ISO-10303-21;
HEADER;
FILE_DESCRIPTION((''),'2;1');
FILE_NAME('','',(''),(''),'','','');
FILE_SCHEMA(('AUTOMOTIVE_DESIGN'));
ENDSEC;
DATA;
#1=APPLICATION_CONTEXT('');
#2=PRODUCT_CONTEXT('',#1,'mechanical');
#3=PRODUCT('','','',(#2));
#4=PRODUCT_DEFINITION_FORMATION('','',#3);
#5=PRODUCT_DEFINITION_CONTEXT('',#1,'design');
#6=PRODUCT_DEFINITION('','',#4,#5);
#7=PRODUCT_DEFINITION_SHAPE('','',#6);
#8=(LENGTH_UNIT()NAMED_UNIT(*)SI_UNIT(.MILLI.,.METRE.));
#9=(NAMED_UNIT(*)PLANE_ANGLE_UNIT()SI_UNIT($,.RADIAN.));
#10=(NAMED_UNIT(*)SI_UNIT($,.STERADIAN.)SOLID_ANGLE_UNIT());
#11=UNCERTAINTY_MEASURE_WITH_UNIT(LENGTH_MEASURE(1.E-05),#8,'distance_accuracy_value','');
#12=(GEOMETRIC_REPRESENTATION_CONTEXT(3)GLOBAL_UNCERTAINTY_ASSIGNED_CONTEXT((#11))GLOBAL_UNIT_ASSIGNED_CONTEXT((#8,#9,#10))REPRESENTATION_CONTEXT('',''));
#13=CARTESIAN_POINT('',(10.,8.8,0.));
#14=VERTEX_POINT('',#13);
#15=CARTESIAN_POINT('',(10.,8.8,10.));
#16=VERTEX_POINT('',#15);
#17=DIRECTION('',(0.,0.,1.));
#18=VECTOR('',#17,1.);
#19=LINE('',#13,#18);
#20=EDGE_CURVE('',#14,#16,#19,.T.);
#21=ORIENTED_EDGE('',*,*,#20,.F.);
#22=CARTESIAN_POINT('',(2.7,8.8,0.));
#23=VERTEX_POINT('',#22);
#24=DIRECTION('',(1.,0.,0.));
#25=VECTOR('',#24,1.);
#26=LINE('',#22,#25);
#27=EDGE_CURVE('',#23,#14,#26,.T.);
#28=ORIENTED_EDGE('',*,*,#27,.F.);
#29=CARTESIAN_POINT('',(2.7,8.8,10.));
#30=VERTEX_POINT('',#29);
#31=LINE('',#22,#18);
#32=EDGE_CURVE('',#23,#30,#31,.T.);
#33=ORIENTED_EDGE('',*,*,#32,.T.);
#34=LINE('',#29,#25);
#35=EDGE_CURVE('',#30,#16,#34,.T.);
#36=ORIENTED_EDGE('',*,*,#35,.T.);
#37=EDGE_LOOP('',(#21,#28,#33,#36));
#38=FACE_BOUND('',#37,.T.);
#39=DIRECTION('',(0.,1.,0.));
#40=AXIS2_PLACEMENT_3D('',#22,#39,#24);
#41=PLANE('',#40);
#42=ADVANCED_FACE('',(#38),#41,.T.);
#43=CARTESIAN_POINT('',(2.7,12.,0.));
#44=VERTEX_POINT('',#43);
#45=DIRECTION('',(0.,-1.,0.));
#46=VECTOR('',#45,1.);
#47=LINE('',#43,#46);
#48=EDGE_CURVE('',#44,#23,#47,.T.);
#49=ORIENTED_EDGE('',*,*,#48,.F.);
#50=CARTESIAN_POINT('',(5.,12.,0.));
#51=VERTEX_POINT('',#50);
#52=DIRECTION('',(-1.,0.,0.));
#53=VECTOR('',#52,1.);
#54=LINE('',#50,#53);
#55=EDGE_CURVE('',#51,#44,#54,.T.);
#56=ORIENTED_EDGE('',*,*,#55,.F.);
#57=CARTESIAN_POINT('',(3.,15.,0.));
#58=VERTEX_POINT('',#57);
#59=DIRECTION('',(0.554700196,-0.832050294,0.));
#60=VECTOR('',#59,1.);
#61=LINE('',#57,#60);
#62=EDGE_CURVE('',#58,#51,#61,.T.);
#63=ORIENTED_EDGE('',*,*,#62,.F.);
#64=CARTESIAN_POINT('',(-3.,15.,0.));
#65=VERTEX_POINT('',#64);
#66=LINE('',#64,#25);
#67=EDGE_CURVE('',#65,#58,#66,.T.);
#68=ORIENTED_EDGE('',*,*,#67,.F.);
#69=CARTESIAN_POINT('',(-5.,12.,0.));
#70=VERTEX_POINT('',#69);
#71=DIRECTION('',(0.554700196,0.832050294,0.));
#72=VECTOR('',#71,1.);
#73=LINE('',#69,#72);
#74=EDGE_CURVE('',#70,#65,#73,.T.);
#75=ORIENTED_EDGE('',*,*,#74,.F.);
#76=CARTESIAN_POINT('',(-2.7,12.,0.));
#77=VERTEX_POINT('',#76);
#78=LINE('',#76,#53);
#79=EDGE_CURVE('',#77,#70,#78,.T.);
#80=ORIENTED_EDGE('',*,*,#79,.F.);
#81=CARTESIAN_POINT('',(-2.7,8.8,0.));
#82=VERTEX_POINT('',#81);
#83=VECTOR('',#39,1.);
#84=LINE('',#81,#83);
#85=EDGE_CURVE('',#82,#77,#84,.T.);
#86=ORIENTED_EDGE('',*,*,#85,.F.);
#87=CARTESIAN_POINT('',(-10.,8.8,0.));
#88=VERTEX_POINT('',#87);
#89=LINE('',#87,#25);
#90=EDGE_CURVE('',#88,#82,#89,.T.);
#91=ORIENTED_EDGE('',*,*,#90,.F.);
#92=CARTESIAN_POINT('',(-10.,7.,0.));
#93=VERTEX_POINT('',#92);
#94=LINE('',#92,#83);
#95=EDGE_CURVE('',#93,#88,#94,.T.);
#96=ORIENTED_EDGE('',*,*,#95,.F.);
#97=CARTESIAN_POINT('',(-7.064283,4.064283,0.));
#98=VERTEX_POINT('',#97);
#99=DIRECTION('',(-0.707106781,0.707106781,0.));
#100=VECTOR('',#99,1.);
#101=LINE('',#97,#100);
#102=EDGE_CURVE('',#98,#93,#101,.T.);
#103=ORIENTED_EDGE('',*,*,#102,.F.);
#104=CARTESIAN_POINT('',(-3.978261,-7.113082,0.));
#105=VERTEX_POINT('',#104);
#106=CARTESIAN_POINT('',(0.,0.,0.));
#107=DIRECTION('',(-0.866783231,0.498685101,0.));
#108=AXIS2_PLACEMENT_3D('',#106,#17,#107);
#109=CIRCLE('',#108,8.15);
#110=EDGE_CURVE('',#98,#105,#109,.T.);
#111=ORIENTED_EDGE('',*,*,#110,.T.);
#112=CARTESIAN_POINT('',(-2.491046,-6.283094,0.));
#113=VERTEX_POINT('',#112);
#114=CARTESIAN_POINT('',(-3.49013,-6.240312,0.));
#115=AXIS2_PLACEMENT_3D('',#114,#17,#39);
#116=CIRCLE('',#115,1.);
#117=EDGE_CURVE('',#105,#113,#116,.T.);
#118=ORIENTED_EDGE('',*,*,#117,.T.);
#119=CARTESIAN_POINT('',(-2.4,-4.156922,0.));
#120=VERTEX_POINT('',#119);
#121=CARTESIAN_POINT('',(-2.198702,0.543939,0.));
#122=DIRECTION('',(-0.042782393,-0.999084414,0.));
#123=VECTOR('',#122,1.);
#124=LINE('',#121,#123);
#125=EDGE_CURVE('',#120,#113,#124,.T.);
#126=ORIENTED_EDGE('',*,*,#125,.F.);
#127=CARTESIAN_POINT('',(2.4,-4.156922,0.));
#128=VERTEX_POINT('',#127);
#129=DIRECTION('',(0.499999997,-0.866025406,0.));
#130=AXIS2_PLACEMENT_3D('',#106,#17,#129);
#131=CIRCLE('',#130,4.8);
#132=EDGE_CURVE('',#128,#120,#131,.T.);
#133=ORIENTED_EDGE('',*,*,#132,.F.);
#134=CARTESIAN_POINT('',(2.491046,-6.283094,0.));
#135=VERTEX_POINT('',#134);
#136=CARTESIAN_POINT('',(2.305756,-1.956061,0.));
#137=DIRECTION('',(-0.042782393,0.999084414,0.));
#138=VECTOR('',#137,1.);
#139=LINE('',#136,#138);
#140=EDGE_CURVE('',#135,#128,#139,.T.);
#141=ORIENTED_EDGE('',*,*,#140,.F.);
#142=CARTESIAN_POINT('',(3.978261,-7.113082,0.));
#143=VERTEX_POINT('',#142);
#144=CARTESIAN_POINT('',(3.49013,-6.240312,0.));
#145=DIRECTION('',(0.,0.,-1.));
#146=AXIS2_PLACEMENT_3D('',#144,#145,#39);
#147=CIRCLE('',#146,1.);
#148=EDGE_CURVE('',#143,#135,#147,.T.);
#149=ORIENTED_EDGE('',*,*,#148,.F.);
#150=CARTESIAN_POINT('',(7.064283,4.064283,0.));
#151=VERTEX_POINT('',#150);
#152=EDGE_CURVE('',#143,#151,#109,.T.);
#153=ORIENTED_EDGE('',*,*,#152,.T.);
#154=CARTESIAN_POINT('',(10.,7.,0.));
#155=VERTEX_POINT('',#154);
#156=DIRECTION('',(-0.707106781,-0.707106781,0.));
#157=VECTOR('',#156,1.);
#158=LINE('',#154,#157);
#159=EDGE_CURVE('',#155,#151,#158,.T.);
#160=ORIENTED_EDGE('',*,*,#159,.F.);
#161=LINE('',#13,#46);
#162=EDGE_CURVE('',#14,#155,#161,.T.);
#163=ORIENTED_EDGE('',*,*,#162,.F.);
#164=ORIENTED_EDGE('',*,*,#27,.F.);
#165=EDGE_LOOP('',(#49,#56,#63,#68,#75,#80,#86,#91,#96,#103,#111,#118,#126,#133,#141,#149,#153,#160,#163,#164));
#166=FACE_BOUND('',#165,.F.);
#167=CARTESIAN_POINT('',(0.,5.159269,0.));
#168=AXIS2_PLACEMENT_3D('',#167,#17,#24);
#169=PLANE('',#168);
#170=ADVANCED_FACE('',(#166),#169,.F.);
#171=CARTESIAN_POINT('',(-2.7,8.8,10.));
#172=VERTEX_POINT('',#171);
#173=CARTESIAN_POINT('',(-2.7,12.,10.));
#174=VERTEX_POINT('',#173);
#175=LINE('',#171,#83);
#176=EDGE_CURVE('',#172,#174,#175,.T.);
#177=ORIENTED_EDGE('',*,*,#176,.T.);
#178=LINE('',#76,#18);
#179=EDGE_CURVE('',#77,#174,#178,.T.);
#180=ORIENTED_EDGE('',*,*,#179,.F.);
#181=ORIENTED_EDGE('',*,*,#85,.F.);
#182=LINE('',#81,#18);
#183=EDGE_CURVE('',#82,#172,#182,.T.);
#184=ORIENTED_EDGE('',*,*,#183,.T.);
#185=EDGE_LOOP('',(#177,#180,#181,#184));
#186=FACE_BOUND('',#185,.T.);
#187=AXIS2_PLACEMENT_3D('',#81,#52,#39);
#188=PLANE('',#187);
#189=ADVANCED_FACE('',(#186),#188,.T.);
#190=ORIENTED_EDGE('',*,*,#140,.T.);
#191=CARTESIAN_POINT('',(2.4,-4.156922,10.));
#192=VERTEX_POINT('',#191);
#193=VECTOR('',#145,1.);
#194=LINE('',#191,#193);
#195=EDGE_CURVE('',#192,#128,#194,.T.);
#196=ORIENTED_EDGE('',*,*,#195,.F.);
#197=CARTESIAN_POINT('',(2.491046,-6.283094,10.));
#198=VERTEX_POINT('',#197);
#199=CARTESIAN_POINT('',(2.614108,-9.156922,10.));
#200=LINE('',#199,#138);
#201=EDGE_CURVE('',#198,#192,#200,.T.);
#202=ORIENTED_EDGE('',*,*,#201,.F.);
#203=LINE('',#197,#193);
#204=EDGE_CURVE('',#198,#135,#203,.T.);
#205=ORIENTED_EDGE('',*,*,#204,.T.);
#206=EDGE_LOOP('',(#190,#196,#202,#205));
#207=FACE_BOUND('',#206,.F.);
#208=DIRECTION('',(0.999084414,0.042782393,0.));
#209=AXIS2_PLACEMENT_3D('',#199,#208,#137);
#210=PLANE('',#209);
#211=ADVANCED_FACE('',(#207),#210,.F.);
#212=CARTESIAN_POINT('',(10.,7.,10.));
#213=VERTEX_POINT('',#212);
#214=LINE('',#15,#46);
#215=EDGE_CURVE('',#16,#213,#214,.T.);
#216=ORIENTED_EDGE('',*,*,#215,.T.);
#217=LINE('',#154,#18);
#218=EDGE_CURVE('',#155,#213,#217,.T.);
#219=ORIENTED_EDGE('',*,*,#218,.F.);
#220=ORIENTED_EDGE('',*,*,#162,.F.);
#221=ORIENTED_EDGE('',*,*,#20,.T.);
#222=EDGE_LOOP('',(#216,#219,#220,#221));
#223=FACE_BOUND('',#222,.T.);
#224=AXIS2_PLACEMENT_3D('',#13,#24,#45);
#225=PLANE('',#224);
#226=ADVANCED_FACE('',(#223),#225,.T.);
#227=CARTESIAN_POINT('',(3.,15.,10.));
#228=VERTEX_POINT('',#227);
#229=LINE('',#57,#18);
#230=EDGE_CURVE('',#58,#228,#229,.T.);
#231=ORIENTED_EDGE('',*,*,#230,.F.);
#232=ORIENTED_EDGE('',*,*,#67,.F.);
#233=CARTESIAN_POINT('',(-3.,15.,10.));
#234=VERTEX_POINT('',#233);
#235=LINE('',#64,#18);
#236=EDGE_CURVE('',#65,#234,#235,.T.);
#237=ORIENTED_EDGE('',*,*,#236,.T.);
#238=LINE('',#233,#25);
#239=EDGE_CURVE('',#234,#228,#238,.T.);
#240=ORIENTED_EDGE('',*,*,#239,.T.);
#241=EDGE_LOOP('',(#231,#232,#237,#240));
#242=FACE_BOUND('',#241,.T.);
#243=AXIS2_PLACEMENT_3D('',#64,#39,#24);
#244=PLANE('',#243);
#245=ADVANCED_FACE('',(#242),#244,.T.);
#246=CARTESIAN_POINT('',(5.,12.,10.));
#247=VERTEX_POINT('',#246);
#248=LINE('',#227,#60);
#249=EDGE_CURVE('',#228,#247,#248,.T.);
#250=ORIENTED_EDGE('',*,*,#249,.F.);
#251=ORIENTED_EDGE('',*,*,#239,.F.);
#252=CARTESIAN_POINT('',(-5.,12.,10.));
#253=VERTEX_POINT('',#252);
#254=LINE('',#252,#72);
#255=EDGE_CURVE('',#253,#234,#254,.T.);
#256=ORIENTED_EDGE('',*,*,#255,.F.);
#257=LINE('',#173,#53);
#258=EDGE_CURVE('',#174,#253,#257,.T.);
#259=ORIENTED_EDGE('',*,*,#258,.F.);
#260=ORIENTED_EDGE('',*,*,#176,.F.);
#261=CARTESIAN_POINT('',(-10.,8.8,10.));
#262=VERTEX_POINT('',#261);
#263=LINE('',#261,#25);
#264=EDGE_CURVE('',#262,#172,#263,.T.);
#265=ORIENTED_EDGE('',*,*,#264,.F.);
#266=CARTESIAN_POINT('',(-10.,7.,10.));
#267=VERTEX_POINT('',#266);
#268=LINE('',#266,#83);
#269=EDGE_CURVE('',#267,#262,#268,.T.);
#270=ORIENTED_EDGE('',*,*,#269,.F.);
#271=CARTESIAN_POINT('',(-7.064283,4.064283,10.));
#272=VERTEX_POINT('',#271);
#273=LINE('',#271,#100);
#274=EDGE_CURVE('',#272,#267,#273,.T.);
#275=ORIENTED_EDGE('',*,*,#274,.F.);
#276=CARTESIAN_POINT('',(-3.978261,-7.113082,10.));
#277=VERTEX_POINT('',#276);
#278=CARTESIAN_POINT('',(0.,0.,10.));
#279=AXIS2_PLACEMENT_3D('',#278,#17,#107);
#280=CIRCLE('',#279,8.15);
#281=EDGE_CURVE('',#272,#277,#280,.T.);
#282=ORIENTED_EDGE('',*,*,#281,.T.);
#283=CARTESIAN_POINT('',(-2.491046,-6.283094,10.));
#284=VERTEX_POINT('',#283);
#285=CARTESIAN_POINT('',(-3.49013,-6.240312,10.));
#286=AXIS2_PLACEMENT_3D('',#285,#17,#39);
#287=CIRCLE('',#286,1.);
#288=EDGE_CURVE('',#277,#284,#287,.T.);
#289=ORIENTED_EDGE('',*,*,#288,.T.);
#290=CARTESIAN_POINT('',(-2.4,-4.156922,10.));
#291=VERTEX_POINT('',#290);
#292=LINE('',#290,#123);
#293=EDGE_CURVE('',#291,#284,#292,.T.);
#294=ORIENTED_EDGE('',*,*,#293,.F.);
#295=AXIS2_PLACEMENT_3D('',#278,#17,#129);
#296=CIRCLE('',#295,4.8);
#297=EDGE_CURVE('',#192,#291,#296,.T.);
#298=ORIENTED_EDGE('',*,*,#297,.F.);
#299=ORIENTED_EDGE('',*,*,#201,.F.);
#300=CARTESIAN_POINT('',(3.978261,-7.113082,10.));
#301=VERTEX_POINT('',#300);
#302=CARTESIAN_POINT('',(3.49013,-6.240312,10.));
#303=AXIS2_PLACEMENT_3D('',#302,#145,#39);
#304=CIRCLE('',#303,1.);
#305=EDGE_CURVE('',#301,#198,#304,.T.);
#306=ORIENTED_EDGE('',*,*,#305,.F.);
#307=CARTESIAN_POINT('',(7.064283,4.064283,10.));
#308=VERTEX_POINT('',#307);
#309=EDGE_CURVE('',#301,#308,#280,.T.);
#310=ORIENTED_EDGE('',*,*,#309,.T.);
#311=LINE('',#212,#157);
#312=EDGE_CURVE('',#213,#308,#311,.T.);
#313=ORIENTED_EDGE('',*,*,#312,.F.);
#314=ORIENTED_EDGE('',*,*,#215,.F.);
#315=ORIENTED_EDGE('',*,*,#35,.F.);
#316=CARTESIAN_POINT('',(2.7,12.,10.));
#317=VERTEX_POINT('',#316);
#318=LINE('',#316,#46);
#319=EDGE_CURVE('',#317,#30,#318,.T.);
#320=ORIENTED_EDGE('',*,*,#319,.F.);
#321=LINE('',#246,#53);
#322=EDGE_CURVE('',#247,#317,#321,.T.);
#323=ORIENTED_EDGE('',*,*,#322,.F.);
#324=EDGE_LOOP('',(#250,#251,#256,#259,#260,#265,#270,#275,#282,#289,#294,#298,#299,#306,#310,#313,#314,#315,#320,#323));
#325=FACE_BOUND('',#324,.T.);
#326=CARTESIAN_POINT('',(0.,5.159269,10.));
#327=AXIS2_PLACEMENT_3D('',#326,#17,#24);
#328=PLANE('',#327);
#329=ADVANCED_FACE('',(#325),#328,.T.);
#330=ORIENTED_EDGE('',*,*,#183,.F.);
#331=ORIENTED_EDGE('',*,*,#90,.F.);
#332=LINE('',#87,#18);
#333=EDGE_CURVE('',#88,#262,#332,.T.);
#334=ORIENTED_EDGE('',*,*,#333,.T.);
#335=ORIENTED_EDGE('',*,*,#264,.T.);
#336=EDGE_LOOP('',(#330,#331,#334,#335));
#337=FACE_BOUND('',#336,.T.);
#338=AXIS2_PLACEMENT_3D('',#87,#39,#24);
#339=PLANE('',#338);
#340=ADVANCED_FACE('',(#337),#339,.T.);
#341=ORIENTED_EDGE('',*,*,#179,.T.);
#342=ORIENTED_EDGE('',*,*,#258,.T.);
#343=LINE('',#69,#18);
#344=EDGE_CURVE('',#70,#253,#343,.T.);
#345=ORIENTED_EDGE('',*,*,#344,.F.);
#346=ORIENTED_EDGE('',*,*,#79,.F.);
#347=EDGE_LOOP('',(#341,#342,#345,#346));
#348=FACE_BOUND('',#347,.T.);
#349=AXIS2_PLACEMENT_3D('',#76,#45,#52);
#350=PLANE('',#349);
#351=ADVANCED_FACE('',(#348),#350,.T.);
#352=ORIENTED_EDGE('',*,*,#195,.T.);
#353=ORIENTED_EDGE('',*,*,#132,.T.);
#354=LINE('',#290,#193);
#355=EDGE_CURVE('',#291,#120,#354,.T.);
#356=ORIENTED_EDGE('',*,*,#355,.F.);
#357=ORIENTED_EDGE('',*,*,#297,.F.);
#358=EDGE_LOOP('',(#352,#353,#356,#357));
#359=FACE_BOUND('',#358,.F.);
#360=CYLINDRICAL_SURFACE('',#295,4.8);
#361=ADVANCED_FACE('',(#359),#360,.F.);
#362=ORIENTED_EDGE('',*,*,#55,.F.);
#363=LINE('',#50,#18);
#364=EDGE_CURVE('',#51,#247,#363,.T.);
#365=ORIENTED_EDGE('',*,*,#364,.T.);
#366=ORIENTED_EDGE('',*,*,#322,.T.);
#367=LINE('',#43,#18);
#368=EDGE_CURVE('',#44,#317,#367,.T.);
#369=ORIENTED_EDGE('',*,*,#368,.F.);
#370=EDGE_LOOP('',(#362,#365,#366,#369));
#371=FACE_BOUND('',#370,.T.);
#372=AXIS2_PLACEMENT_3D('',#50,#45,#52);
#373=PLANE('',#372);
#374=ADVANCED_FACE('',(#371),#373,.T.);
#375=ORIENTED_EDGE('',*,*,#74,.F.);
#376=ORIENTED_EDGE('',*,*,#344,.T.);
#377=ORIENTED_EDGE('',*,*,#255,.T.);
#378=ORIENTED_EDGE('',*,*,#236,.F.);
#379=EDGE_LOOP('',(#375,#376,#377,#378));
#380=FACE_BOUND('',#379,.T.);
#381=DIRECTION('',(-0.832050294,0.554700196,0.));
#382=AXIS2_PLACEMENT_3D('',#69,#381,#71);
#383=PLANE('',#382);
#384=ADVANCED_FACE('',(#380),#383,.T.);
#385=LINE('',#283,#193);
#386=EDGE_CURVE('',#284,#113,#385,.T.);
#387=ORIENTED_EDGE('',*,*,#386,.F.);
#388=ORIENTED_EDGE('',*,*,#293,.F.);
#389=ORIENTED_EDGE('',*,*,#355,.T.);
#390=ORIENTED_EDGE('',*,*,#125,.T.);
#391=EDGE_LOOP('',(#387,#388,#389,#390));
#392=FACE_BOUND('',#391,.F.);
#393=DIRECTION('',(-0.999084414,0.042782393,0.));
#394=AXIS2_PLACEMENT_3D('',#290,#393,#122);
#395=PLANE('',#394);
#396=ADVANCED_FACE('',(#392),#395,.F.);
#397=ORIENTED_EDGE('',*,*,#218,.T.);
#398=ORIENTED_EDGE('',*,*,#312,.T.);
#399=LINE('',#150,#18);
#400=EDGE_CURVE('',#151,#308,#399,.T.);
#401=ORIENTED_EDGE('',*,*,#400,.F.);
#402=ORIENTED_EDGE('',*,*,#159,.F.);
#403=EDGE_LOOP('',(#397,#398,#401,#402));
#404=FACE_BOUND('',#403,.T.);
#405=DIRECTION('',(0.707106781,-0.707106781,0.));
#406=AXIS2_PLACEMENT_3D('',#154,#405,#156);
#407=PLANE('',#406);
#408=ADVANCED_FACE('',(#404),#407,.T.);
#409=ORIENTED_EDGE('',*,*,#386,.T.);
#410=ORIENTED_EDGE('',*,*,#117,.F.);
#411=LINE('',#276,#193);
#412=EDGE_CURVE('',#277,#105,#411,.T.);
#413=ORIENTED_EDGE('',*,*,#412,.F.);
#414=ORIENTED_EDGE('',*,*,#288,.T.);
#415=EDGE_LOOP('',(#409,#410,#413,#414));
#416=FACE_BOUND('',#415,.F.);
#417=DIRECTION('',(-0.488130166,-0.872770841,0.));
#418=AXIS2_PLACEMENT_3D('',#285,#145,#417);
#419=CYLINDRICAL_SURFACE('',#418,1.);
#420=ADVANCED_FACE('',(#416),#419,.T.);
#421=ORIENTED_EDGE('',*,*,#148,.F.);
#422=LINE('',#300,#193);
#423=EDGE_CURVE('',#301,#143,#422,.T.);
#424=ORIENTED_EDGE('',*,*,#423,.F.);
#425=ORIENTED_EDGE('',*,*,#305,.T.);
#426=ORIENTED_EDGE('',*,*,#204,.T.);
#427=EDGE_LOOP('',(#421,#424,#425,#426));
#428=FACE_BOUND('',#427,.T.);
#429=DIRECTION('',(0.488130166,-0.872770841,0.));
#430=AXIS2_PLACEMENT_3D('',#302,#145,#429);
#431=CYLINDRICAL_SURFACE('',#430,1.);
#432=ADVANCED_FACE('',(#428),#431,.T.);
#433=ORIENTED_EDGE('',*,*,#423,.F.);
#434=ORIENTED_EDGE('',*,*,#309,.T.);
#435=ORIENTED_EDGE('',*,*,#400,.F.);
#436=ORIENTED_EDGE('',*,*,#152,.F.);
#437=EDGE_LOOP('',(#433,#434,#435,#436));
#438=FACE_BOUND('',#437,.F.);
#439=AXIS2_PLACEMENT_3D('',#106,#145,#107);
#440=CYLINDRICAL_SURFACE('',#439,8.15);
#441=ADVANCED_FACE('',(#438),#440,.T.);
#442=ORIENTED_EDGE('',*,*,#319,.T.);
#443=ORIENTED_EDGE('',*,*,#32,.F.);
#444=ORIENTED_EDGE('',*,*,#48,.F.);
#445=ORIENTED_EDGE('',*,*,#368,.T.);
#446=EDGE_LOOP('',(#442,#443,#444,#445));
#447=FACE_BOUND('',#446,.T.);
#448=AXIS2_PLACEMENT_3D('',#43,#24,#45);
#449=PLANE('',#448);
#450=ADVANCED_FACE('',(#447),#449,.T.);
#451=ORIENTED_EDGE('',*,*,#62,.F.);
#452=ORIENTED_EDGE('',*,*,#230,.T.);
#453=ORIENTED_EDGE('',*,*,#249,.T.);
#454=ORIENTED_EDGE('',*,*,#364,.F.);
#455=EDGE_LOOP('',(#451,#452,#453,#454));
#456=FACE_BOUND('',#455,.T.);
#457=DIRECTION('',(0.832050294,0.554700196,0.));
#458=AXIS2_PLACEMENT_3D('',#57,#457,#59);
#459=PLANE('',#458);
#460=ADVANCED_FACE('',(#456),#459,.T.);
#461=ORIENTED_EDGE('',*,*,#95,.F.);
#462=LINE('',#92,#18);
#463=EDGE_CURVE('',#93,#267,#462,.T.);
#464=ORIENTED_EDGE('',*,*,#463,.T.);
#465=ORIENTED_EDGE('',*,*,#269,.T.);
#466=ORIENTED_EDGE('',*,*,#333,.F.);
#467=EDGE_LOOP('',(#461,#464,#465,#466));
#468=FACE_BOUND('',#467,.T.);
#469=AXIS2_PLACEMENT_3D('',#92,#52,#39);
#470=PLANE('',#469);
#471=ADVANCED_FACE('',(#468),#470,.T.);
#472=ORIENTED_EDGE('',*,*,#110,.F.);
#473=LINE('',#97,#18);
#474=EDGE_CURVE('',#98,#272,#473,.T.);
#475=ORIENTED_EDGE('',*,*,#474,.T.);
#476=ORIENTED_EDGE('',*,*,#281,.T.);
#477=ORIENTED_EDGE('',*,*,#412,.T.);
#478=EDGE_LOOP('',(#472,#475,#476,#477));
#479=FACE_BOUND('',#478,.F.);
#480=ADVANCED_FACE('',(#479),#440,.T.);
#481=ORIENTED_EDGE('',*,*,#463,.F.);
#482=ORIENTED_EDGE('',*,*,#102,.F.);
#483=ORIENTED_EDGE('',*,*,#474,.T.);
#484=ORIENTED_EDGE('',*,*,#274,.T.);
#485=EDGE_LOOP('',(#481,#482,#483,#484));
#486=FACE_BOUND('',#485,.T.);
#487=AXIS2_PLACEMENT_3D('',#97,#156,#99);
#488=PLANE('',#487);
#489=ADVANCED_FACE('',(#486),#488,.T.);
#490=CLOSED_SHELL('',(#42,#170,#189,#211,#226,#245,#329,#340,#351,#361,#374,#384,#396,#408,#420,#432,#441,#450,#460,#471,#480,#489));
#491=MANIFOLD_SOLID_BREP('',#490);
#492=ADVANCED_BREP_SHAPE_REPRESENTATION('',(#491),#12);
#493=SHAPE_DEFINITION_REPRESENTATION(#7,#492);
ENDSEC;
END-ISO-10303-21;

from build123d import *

# Parameters (mm, degrees)
PAD_DEPTH    = 10
POCKET_DEPTH = 10.001
FILLET_R     = 1


with BuildPart() as part:
    # Sketch → Pad (new body)
    with BuildSketch(Plane.XY):
        with BuildLine():
            ThreePointArc((-7.064283, 4.064283), (0, -8.15), (7.064283, 4.064283))
            Line((10, 7), (7.064283, 4.064283))
            Line((10, 8.8), (10, 7))
            Line((2.7, 8.8), (10, 8.8))
            Line((2.7, 12), (2.7, 8.8))
            Line((5, 12), (2.7, 12))
            Line((3, 15), (5, 12))
            Line((-3, 15), (3, 15))
            Line((-5, 12), (-3, 15))
            Line((-2.7, 12), (-5, 12))
            Line((-2.7, 8.8), (-2.7, 12))
            Line((-10, 8.8), (-2.7, 8.8))
            Line((-10, 7), (-10, 8.8))
            Line((-7.064283, 4.064283), (-10, 7))
        make_face()
    extrude(amount=PAD_DEPTH)

    # Sketch001 → Pocket (cut, through all)
    with BuildSketch(Plane.XY.offset(10)):
        with BuildLine():
            ThreePointArc((2.4, -4.156922), (0, 4.8), (-2.4, -4.156922))
            Line((-2.4, -4.156922), (-2.614108, -9.156922))
            Line((-2.614108, -9.156922), (2.614108, -9.156922))
            Line((2.614108, -9.156922), (2.4, -4.156922))
        make_face()
    extrude(amount=-POCKET_DEPTH, mode=Mode.SUBTRACT)

    # Fillet
    fillet_edges = [part.edges().sort_by_distance(p)[0] for p in [
        (-2.553419, -7.739674, 5),
        (2.553419, -7.739674, 5),
    ]]
    fillet(fillet_edges, radius=FILLET_R)


solid = part.part
